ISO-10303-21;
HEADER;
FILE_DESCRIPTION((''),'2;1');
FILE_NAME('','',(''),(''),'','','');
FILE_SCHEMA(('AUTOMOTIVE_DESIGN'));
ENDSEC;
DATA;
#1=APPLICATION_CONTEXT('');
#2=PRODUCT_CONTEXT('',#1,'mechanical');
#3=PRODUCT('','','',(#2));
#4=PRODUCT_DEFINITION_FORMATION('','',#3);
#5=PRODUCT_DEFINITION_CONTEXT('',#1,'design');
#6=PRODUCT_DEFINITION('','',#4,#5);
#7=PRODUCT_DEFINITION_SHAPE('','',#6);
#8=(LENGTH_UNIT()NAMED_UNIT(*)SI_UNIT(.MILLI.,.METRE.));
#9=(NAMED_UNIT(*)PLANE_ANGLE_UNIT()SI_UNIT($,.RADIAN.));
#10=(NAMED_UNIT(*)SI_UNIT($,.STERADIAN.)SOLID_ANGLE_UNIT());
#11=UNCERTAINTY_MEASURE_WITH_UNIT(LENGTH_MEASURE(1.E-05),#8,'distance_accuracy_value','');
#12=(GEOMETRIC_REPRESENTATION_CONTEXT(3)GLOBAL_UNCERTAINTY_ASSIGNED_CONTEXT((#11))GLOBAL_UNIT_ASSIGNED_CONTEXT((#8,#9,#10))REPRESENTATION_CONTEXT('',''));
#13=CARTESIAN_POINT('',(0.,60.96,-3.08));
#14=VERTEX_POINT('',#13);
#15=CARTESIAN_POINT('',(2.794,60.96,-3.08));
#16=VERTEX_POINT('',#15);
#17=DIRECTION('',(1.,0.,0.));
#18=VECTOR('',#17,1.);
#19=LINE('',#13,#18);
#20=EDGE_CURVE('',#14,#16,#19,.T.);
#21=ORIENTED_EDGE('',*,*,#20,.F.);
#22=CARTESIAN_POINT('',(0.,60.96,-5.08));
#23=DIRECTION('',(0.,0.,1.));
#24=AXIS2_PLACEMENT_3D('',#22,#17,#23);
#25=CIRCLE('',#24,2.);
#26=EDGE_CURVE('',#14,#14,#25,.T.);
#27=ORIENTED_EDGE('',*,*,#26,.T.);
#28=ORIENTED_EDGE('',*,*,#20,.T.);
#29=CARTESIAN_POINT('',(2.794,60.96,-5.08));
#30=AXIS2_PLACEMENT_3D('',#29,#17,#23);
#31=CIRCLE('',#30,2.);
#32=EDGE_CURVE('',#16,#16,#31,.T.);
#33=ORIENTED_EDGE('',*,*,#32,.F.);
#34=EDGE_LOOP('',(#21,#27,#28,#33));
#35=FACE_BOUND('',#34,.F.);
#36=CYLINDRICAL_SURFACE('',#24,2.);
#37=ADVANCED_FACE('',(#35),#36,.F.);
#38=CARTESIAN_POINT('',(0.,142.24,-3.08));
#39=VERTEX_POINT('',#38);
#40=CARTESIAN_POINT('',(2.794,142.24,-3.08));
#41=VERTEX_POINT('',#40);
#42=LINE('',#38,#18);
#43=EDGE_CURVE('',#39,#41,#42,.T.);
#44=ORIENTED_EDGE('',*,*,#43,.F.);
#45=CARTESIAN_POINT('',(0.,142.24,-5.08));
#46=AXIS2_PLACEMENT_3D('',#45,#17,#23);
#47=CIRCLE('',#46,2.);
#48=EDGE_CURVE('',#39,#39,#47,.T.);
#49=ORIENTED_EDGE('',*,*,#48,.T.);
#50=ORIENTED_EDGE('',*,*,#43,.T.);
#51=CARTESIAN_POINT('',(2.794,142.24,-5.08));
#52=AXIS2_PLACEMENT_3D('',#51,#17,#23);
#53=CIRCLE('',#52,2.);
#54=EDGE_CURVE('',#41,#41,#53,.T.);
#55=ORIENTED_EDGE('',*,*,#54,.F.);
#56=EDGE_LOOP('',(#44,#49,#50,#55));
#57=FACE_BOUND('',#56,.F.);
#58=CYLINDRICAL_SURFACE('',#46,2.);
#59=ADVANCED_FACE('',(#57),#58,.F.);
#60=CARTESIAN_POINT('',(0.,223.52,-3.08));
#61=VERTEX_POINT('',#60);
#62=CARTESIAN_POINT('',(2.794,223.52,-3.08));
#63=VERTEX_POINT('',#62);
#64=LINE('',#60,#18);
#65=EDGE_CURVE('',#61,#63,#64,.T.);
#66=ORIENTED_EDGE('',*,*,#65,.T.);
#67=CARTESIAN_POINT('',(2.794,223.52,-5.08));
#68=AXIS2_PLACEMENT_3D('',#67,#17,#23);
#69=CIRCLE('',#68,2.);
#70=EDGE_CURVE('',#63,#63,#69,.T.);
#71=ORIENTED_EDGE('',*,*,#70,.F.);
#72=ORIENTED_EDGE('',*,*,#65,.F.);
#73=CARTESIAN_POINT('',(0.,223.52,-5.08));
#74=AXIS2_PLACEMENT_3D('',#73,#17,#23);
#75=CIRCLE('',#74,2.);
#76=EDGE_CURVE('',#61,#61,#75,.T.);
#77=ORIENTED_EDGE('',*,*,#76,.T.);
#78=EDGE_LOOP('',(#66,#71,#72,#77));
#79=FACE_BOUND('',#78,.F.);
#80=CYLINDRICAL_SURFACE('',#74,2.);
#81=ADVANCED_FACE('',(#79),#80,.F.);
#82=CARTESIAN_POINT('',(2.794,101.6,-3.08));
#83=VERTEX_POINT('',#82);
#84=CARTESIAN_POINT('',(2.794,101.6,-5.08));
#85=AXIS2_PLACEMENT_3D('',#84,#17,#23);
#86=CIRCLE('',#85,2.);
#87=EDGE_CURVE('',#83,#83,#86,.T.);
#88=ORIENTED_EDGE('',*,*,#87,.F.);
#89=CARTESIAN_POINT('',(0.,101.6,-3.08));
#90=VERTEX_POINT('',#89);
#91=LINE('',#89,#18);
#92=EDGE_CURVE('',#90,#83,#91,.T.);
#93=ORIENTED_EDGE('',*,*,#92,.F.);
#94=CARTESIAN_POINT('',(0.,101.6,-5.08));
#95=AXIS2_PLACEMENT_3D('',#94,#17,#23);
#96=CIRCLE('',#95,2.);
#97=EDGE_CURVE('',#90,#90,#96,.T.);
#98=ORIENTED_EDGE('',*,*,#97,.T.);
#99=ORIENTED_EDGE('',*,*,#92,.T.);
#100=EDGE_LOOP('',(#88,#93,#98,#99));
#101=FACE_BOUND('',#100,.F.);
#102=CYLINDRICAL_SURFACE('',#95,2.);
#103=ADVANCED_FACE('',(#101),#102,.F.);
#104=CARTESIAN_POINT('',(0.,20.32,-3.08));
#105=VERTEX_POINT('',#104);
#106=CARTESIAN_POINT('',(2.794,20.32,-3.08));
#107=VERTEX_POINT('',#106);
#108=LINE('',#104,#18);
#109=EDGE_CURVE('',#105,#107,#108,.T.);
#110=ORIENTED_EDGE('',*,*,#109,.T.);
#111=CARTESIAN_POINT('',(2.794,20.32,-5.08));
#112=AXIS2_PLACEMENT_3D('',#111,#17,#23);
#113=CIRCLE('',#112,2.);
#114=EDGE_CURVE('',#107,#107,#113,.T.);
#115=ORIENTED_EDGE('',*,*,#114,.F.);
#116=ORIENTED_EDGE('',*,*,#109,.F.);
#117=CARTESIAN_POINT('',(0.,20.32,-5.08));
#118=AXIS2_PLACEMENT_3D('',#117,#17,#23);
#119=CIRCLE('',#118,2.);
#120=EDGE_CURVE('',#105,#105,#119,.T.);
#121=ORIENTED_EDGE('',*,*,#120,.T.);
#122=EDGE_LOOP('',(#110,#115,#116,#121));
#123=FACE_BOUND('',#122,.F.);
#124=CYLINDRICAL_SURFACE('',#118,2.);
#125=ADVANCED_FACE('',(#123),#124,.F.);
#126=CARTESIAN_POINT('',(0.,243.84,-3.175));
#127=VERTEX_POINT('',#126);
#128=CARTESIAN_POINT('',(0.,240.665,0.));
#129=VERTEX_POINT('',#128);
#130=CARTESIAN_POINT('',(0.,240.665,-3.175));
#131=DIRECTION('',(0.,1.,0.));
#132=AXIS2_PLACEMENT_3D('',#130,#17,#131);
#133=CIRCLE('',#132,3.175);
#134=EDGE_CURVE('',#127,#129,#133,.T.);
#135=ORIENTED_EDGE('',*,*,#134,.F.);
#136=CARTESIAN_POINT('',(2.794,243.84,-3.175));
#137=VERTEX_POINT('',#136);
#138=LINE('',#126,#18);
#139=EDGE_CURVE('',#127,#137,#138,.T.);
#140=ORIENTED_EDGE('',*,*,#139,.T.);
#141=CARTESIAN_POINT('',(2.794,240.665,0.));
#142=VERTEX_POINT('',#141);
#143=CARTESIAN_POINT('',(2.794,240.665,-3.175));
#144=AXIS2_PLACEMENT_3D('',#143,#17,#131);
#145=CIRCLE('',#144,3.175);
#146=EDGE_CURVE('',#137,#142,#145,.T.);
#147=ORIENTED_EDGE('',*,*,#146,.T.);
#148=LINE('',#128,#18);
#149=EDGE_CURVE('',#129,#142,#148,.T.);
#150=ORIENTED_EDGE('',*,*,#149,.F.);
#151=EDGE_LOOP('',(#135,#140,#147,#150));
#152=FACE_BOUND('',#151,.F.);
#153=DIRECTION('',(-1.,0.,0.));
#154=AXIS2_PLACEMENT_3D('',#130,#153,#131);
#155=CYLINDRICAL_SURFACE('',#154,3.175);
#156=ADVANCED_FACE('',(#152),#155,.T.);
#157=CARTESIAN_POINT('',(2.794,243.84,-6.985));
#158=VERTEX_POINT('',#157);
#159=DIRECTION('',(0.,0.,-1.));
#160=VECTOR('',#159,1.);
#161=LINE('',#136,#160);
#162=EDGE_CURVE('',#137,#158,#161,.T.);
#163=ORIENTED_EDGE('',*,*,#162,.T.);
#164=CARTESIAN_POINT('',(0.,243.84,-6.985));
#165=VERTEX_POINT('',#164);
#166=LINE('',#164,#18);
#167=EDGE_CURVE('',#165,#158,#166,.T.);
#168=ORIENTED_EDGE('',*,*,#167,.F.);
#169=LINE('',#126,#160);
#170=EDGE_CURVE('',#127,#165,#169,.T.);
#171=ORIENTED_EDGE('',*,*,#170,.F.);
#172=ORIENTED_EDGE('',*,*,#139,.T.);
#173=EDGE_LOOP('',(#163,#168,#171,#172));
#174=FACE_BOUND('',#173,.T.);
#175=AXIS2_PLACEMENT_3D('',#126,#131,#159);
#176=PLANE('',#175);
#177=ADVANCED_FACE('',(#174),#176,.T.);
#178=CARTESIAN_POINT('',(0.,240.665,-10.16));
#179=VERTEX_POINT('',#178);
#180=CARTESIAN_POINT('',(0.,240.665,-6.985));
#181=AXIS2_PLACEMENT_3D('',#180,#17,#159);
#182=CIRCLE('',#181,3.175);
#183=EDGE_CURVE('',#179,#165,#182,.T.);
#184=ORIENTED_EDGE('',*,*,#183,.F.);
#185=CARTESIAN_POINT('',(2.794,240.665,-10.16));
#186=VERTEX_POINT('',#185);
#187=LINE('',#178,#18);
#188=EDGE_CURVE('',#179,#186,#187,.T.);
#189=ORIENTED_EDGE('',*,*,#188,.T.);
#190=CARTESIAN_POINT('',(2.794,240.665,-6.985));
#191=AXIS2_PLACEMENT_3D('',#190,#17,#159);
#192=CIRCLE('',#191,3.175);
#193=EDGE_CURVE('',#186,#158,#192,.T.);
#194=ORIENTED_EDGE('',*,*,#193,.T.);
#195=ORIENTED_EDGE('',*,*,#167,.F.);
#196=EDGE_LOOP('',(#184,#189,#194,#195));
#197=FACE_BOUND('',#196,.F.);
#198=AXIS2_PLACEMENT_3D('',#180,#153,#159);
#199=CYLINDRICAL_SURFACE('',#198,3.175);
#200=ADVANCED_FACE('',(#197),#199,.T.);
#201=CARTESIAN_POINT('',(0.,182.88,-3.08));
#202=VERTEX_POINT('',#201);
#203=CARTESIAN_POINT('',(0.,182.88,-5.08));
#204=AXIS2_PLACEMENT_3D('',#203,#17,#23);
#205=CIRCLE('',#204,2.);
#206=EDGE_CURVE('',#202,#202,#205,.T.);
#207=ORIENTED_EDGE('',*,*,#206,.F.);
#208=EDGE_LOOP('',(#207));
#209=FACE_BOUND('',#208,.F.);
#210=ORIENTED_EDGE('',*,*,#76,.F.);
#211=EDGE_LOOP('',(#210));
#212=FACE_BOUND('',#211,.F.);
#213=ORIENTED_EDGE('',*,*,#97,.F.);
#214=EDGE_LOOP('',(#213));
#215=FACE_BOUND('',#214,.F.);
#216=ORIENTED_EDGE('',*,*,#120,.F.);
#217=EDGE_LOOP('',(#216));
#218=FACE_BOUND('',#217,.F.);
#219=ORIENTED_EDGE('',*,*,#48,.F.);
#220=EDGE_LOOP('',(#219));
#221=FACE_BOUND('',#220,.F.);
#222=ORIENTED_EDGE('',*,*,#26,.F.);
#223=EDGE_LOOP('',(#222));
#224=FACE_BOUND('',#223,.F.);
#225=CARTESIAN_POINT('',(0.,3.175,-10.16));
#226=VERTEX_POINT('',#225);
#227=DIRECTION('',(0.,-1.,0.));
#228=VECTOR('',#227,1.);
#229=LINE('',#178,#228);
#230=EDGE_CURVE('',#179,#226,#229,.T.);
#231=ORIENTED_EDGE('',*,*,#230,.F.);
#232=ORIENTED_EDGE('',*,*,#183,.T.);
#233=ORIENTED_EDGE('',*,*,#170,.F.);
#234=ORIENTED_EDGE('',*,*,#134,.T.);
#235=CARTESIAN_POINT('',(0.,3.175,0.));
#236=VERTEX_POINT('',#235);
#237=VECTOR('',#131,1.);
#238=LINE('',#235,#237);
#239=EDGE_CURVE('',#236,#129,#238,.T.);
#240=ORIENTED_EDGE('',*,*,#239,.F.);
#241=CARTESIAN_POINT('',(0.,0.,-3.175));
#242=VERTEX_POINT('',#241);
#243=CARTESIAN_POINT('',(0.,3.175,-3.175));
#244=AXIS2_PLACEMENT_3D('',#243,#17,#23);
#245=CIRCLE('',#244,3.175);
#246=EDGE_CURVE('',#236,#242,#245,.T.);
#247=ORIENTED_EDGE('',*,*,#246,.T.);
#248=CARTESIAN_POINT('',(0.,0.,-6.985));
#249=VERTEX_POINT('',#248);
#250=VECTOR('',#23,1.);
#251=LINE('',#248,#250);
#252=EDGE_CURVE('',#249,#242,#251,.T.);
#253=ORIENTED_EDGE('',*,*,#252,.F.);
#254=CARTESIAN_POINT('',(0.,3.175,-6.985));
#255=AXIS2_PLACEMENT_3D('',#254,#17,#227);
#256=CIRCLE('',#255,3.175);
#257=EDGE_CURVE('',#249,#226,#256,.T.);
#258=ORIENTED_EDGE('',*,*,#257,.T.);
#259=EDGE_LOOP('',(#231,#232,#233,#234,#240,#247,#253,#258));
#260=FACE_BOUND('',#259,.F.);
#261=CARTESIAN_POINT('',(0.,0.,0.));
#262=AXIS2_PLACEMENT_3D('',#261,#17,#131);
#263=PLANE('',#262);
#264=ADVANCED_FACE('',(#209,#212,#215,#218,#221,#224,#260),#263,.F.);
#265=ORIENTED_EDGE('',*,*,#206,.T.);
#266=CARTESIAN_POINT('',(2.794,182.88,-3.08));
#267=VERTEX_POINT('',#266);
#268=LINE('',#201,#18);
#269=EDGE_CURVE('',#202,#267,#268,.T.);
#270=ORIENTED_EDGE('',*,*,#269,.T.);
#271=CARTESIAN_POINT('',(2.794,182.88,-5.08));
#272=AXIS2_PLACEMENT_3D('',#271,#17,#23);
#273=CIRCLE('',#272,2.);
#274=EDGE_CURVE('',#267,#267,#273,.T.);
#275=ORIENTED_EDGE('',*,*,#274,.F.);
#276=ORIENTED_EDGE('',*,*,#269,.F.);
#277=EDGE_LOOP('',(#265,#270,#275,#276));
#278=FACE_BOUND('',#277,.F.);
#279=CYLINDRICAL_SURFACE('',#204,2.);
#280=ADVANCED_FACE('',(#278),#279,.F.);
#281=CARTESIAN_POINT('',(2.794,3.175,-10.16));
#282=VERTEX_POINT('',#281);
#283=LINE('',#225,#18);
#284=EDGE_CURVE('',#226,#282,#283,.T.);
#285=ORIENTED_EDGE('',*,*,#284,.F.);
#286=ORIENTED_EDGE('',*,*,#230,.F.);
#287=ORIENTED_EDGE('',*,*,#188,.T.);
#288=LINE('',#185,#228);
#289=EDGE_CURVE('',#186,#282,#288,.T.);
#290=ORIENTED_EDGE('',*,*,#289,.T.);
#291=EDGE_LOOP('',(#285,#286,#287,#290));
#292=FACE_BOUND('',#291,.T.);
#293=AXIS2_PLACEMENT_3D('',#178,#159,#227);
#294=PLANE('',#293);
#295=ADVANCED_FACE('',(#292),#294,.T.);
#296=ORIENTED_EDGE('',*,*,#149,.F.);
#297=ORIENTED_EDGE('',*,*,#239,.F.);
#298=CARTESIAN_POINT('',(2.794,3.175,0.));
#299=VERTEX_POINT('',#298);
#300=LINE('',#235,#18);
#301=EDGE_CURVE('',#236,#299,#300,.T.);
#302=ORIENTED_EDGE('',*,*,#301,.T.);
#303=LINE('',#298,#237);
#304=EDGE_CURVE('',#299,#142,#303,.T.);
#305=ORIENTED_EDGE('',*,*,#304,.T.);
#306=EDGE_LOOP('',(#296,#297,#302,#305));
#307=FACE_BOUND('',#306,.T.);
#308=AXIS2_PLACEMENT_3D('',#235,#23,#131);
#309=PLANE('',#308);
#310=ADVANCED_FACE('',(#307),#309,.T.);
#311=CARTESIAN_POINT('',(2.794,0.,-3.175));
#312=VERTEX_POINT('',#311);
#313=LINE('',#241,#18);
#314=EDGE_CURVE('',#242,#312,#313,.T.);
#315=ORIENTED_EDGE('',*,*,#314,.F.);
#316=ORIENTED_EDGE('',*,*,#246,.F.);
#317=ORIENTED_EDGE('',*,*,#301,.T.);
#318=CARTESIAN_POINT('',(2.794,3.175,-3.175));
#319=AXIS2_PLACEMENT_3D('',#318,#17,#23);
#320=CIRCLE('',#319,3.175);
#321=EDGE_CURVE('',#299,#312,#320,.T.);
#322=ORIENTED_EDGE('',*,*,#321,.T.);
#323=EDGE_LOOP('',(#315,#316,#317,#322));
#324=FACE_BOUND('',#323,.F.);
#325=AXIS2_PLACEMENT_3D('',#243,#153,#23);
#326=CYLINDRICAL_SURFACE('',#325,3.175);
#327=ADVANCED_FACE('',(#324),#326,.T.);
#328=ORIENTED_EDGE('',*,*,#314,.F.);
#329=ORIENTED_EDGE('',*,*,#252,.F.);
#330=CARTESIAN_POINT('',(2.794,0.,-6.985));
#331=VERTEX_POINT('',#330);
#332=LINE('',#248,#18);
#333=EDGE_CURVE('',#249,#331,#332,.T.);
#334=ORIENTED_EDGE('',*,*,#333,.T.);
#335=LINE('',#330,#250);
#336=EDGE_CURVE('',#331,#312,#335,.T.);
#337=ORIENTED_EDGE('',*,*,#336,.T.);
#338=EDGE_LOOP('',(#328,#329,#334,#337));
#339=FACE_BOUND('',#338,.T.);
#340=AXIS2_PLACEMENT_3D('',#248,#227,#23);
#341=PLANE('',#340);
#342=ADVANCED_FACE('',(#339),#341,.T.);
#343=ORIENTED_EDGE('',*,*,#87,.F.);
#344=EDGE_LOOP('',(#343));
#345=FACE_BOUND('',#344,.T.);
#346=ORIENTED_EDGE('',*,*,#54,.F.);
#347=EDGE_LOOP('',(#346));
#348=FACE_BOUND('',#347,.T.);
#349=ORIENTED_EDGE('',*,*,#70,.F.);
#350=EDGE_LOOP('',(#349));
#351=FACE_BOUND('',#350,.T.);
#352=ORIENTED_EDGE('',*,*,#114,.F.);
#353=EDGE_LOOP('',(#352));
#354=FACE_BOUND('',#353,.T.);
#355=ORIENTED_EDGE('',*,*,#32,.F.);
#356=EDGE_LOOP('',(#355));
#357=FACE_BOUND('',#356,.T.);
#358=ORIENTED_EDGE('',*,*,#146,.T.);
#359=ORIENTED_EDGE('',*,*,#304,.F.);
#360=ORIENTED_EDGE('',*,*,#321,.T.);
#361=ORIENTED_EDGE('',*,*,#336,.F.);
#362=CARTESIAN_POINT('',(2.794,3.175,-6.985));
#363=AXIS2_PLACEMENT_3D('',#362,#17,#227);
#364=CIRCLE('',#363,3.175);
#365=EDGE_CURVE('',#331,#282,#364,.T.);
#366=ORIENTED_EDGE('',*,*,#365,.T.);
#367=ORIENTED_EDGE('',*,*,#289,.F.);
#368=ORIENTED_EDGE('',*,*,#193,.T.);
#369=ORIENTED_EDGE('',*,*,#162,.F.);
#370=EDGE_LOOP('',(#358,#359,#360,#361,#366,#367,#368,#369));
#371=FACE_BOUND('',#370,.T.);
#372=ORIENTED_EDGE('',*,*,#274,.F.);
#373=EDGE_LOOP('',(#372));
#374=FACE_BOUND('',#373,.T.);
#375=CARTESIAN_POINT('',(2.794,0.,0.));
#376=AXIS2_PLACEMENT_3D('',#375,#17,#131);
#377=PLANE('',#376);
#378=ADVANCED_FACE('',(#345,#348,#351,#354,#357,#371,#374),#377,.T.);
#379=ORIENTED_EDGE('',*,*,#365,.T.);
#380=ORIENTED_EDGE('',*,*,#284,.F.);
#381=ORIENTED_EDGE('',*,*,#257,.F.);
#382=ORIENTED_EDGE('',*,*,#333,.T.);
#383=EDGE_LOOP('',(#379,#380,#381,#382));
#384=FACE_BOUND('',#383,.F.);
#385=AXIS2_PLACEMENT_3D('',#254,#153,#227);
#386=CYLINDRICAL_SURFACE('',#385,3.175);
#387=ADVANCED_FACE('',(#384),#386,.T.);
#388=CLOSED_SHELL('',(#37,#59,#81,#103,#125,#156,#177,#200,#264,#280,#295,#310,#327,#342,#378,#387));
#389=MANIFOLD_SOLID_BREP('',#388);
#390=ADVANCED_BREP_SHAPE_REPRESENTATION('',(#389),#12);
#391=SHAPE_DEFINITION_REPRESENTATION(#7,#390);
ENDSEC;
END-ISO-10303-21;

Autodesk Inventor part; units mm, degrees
ref_plane "YZ Plane" through (0, 0, 0) normal (1, 0, 0) x (0, 1, 0)
ref_plane "XZ Plane" through (0, 0, 0) normal (0, 1, 0) x (-1, 0, 0)
ref_plane "XY Plane" through (0, 0, 0) normal (0, 0, 1) x (1, 0, 0)
sketch "Sketch1" plane through (0, 0, 0) normal (1, 0, 0) x (0, 1, 0)
  line L0 (3.175, 0) -> (240.665, 0)
  line L1 (243.84, -3.175) -> (243.84, -6.985)
  line L2 (240.665, -10.16) -> (3.175, -10.16)
  line L3 (0, -6.985) -> (0, -3.175)
  arc A0 (243.84, -3.175) -> (240.665, 0) centre (240.665, -3.175) ccw
  arc A1 (240.665, -10.16) -> (243.84, -6.985) centre (240.665, -6.985) ccw
  arc A2 (3.175, 0) -> (0, -3.175) centre (3.175, -3.175) ccw
  arc A3 (0, -6.985) -> (3.175, -10.16) centre (3.175, -6.985) ccw
  line L4 (0, -5.08) -> (243.84, -5.08) construction
  point P0 (0, 0)
  point P1 (243.84, -10.16)
  point P2 (243.84, 0)
  point P3 (0, -10.16)
  point P4 (20.32, -5.08)
  point P5 (60.96, -5.08)
  point P6 (101.6, -5.08)
  point P7 (142.24, -5.08)
  point P8 (182.88, -5.08)
  point P9 (223.52, -5.08)
  dimension "d0" = 243.84
  dimension "d1" = 10.16
  dimension "d2" = 3.175
  dimension "d3" = 20.32
  dimension "d6" = 40.64
  dimension "d21" = 101.6
extrude "Extrusion1" add sketch "Sketch1" along normal blind 2.794
hole "Hole3" at (0, 20.32, -5.08) at (0, 60.96, -5.08) at (0, 101.6, -5.08) at (0, 142.24, -5.08) at (0, 182.88, -5.08) at (0, 223.52, -5.08) direction (1, 0, 0) diameter 4 end through all
properties part number "ArmSpacer6" material "Polycarbonate, Smoke"
